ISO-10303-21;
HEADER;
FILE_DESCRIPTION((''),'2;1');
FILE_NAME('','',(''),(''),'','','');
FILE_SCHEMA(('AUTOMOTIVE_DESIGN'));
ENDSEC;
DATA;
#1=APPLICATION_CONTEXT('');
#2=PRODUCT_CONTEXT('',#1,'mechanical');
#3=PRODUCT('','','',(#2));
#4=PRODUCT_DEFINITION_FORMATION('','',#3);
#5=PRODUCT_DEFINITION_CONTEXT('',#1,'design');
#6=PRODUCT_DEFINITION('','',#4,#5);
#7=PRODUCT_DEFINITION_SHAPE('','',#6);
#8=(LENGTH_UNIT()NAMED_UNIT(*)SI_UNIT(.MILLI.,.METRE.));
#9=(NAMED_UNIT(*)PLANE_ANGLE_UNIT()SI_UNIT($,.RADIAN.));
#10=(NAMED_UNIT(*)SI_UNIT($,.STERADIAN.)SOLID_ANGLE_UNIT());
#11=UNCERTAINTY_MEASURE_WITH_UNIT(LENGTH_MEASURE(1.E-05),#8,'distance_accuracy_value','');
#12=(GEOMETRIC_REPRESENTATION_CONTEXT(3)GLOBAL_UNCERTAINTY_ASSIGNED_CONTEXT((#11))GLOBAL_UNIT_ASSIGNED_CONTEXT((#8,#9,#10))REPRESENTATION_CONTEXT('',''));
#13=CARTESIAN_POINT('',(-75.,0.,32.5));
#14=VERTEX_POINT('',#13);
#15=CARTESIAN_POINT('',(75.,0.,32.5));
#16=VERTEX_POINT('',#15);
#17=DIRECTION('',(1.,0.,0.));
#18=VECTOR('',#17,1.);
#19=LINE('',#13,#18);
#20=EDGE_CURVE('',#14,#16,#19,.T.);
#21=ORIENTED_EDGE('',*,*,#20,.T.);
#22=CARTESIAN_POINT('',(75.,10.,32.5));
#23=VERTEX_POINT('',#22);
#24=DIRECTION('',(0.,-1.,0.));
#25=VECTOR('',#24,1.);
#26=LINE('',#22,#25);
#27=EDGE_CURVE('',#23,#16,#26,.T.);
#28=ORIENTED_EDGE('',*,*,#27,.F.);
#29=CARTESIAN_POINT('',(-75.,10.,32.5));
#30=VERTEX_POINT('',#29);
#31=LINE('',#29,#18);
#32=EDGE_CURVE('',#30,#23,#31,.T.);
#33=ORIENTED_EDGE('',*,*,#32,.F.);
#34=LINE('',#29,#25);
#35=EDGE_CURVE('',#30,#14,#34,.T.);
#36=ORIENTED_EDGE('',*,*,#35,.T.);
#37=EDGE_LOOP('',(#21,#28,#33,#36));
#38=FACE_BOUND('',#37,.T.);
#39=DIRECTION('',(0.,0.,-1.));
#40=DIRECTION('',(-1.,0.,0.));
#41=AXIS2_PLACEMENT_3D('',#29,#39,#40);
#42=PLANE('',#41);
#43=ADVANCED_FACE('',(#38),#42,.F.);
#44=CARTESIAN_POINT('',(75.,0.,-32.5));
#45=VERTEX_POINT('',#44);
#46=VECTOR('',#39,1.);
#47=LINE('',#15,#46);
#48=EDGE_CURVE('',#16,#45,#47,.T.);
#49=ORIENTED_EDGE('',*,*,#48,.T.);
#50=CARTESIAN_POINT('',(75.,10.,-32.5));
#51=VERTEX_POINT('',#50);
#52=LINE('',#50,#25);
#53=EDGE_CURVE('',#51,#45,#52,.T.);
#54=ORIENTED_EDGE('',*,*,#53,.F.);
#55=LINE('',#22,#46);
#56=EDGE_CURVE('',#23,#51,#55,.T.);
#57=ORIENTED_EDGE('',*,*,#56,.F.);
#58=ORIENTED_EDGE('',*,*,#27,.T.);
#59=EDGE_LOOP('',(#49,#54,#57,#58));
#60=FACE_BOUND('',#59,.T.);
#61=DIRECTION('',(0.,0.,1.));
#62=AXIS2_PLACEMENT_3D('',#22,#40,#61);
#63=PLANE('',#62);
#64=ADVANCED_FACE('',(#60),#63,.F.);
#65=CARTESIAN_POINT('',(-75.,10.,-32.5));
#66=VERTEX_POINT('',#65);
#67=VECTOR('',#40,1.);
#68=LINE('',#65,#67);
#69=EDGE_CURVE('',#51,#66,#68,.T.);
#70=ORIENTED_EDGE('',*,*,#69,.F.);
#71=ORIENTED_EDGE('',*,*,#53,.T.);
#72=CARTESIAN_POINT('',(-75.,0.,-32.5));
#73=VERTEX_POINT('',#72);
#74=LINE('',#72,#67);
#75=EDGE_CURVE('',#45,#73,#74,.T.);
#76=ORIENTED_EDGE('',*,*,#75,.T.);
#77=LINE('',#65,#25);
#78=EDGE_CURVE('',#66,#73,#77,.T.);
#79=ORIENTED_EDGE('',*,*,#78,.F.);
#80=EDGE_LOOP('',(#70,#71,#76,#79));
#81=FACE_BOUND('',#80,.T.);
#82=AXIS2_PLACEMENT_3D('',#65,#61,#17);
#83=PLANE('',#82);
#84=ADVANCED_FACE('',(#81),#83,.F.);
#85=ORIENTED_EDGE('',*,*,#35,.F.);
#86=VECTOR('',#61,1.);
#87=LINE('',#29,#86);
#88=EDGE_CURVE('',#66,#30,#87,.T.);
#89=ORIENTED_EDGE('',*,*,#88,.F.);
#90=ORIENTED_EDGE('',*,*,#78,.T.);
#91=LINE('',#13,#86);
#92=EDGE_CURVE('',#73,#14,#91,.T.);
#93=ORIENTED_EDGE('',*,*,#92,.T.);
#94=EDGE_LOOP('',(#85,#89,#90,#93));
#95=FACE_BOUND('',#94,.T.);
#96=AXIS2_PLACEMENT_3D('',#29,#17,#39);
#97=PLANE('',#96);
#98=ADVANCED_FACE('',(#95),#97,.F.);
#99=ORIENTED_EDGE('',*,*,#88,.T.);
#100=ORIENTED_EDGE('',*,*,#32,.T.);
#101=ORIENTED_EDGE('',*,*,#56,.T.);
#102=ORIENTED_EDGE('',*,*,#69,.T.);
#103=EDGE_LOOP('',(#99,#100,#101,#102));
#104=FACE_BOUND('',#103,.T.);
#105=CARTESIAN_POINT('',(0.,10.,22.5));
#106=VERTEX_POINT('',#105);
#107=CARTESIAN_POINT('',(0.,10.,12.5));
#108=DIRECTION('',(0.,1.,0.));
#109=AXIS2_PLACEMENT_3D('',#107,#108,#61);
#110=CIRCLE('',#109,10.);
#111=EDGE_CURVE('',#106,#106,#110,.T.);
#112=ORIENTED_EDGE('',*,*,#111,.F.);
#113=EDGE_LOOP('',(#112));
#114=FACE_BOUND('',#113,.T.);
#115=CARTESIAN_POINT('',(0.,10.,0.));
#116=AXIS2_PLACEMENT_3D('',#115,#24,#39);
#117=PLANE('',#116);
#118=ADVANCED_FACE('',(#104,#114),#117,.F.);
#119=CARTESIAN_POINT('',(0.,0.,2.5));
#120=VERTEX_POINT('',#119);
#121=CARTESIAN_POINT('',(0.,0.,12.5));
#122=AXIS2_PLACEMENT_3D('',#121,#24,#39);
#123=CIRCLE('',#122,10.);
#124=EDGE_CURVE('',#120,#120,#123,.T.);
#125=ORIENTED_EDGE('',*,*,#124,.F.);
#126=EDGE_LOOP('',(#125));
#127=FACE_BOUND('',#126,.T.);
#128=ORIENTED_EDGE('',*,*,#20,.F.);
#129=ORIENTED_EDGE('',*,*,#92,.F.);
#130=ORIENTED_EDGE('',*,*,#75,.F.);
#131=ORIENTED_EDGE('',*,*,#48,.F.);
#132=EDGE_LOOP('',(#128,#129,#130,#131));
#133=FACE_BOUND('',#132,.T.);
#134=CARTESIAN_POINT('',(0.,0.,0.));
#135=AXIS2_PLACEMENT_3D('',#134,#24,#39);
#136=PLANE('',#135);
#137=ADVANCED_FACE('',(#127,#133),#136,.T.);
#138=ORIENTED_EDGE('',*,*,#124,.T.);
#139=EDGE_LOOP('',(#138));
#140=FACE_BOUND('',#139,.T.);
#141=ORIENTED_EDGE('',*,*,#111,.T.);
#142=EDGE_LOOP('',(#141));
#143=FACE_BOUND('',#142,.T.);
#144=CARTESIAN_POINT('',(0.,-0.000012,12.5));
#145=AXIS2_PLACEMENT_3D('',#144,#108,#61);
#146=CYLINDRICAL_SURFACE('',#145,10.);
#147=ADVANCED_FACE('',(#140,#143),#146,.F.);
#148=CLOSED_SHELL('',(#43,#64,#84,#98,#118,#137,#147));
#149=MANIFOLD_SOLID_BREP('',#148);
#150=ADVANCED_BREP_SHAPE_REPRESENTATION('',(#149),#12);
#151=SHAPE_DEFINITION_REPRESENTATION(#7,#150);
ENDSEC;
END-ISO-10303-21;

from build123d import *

# Parameters (mm, degrees)
SKETCH1_W               = 150
SKETCH1_H               = 65
BOSS_EXTRUDE1_DEPTH     = 10
SKETCH2_R               = 10
CUT_EXTRUDE2_DEPTH      = 11
CUT_EXTRUDE2_DEPTH_BACK = 1


with BuildPart() as part:
    # Sketch1 → Boss-Extrude1 (new body)
    with BuildSketch(Plane(origin=(0, 0, 0), x_dir=(1, 0, 0), z_dir=(0, 1, 0))):
        Rectangle(SKETCH1_W, SKETCH1_H)
    extrude(amount=BOSS_EXTRUDE1_DEPTH)

    # Sketch2 → Cut-Extrude2 (cut, two sides)
    with BuildSketch(Plane(origin=(0, 0, 0), x_dir=(1, 0, 0), z_dir=(0, 1, 0))) as cut_extrude2_sk:
        with Locations((0, -12.5)):
            Circle(SKETCH2_R)
    extrude(amount=CUT_EXTRUDE2_DEPTH, mode=Mode.SUBTRACT)
    extrude(cut_extrude2_sk.sketch, amount=-CUT_EXTRUDE2_DEPTH_BACK, mode=Mode.SUBTRACT)


solid = part.part
